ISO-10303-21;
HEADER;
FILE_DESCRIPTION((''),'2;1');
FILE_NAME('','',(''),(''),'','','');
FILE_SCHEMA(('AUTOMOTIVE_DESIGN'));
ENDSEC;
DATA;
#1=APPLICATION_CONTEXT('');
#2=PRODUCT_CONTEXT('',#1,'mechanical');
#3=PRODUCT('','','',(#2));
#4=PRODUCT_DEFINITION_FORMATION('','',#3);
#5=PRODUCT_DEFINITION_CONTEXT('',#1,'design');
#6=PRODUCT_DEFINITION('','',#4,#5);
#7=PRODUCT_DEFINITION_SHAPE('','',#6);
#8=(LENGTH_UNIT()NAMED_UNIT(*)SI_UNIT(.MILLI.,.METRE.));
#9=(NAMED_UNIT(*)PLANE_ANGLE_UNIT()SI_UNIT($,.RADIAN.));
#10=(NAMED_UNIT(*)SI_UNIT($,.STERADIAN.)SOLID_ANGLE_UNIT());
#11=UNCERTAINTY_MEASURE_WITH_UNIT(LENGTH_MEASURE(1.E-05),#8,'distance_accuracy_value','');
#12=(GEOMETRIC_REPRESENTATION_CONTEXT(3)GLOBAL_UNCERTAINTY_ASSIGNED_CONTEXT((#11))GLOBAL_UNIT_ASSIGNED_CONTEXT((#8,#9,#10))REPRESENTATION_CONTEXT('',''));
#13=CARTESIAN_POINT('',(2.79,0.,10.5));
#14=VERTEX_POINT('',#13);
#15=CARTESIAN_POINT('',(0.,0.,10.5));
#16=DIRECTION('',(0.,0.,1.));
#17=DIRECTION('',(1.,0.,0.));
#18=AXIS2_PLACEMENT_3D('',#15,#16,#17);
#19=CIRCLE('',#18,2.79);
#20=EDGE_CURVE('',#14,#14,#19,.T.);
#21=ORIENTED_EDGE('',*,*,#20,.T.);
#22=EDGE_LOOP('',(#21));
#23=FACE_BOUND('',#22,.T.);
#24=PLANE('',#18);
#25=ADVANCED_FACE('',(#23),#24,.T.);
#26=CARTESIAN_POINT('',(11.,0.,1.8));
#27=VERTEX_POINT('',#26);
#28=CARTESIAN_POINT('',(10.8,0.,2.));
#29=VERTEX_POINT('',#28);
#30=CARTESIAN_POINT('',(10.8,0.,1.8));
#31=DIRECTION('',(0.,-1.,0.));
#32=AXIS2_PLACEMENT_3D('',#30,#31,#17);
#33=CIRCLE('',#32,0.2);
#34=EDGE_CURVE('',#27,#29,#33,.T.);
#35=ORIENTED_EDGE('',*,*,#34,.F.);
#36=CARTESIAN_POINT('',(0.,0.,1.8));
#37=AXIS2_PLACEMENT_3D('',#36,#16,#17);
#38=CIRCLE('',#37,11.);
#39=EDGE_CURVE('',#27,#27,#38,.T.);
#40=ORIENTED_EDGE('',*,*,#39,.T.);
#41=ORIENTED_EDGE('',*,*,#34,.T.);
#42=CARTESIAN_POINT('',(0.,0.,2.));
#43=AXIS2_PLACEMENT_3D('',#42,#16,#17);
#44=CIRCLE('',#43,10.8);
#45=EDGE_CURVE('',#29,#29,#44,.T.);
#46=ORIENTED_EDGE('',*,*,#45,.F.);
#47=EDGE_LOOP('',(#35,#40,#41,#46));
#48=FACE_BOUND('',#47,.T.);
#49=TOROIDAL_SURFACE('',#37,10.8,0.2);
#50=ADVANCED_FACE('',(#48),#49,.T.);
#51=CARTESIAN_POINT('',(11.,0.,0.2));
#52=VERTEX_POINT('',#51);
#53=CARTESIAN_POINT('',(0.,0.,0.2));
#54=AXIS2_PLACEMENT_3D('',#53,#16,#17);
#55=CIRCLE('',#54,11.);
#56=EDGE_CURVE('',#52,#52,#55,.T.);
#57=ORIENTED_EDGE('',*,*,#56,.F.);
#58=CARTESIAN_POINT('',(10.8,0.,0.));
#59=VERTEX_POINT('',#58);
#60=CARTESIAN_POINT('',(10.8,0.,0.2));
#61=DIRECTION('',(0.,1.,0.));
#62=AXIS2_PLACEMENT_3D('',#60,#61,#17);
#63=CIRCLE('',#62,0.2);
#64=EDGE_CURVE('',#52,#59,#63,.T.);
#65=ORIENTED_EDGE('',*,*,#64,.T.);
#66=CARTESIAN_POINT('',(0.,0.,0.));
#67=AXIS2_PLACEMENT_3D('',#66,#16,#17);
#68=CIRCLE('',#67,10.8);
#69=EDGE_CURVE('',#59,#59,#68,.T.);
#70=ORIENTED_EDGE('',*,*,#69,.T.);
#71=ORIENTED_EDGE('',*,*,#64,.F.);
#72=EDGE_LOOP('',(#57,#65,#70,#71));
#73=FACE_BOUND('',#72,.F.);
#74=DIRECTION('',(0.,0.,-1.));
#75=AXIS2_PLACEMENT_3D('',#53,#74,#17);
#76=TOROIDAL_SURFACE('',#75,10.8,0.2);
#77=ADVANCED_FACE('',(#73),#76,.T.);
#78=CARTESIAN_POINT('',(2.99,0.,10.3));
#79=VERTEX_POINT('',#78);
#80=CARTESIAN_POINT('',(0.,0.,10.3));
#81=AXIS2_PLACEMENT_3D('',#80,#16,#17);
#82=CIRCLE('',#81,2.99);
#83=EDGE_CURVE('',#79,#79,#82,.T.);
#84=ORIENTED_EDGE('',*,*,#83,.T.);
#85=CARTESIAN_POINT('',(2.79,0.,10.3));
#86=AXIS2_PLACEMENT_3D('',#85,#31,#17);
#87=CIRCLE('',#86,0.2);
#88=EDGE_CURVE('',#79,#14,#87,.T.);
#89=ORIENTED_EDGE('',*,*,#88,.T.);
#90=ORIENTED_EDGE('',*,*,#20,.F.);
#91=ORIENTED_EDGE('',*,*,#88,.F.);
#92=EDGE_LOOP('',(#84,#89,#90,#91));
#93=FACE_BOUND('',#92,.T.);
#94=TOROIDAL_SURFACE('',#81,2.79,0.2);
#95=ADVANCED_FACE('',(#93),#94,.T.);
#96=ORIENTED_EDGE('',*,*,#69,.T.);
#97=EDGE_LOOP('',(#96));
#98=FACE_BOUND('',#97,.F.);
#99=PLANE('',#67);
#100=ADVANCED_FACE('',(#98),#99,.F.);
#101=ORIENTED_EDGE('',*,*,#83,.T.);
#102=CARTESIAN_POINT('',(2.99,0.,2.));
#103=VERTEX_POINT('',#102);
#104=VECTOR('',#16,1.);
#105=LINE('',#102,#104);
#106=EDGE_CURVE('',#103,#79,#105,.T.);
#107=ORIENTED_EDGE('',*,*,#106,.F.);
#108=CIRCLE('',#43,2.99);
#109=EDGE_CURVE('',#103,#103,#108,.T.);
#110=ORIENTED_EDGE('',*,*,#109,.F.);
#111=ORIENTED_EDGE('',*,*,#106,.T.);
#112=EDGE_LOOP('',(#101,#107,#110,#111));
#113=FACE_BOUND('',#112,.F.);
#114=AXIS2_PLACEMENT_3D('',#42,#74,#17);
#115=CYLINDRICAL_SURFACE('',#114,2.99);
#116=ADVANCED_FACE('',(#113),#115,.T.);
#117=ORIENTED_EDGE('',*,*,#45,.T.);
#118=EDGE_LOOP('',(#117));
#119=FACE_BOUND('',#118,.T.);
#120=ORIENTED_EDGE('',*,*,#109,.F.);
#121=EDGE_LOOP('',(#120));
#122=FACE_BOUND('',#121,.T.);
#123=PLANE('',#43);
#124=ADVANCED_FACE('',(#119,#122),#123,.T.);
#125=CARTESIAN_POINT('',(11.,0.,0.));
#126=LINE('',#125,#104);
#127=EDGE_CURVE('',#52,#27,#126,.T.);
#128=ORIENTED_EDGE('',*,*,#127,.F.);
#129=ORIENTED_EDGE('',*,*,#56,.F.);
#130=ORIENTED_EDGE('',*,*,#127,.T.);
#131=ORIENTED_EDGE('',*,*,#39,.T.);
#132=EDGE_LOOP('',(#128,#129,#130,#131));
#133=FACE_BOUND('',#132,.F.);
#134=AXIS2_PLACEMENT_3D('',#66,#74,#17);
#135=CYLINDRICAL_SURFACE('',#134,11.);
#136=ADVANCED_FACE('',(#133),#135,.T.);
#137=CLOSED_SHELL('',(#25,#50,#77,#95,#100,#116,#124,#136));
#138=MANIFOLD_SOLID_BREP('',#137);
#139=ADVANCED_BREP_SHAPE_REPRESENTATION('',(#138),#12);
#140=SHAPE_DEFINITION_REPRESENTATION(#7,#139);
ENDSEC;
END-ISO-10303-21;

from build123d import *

# Parameters (mm, degrees)
F0_R     = 11
F1_DEPTH = 2
F2_R     = 2.99
F3_DEPTH = 8.5
F4_R     = 0.2


with BuildPart() as f1:
    # F0 (on Top) → F1 (new body)
    with BuildSketch(Plane.XY):
        Circle(F0_R)
    extrude(amount=F1_DEPTH)

    # F2 (on face) → F3 (join)
    with BuildSketch(Plane.XY.offset(2)):
        Circle(F2_R)
    extrude(amount=F3_DEPTH)

    # F4
    f4_edges = [f1.edges().sort_by_distance(p)[0] for p in [
        (-11, 0, 2),
        (-11, 0, 0),
        (-2.99, 0, 10.5),
    ]]
    fillet(f4_edges, radius=F4_R)


solid = f1.part
